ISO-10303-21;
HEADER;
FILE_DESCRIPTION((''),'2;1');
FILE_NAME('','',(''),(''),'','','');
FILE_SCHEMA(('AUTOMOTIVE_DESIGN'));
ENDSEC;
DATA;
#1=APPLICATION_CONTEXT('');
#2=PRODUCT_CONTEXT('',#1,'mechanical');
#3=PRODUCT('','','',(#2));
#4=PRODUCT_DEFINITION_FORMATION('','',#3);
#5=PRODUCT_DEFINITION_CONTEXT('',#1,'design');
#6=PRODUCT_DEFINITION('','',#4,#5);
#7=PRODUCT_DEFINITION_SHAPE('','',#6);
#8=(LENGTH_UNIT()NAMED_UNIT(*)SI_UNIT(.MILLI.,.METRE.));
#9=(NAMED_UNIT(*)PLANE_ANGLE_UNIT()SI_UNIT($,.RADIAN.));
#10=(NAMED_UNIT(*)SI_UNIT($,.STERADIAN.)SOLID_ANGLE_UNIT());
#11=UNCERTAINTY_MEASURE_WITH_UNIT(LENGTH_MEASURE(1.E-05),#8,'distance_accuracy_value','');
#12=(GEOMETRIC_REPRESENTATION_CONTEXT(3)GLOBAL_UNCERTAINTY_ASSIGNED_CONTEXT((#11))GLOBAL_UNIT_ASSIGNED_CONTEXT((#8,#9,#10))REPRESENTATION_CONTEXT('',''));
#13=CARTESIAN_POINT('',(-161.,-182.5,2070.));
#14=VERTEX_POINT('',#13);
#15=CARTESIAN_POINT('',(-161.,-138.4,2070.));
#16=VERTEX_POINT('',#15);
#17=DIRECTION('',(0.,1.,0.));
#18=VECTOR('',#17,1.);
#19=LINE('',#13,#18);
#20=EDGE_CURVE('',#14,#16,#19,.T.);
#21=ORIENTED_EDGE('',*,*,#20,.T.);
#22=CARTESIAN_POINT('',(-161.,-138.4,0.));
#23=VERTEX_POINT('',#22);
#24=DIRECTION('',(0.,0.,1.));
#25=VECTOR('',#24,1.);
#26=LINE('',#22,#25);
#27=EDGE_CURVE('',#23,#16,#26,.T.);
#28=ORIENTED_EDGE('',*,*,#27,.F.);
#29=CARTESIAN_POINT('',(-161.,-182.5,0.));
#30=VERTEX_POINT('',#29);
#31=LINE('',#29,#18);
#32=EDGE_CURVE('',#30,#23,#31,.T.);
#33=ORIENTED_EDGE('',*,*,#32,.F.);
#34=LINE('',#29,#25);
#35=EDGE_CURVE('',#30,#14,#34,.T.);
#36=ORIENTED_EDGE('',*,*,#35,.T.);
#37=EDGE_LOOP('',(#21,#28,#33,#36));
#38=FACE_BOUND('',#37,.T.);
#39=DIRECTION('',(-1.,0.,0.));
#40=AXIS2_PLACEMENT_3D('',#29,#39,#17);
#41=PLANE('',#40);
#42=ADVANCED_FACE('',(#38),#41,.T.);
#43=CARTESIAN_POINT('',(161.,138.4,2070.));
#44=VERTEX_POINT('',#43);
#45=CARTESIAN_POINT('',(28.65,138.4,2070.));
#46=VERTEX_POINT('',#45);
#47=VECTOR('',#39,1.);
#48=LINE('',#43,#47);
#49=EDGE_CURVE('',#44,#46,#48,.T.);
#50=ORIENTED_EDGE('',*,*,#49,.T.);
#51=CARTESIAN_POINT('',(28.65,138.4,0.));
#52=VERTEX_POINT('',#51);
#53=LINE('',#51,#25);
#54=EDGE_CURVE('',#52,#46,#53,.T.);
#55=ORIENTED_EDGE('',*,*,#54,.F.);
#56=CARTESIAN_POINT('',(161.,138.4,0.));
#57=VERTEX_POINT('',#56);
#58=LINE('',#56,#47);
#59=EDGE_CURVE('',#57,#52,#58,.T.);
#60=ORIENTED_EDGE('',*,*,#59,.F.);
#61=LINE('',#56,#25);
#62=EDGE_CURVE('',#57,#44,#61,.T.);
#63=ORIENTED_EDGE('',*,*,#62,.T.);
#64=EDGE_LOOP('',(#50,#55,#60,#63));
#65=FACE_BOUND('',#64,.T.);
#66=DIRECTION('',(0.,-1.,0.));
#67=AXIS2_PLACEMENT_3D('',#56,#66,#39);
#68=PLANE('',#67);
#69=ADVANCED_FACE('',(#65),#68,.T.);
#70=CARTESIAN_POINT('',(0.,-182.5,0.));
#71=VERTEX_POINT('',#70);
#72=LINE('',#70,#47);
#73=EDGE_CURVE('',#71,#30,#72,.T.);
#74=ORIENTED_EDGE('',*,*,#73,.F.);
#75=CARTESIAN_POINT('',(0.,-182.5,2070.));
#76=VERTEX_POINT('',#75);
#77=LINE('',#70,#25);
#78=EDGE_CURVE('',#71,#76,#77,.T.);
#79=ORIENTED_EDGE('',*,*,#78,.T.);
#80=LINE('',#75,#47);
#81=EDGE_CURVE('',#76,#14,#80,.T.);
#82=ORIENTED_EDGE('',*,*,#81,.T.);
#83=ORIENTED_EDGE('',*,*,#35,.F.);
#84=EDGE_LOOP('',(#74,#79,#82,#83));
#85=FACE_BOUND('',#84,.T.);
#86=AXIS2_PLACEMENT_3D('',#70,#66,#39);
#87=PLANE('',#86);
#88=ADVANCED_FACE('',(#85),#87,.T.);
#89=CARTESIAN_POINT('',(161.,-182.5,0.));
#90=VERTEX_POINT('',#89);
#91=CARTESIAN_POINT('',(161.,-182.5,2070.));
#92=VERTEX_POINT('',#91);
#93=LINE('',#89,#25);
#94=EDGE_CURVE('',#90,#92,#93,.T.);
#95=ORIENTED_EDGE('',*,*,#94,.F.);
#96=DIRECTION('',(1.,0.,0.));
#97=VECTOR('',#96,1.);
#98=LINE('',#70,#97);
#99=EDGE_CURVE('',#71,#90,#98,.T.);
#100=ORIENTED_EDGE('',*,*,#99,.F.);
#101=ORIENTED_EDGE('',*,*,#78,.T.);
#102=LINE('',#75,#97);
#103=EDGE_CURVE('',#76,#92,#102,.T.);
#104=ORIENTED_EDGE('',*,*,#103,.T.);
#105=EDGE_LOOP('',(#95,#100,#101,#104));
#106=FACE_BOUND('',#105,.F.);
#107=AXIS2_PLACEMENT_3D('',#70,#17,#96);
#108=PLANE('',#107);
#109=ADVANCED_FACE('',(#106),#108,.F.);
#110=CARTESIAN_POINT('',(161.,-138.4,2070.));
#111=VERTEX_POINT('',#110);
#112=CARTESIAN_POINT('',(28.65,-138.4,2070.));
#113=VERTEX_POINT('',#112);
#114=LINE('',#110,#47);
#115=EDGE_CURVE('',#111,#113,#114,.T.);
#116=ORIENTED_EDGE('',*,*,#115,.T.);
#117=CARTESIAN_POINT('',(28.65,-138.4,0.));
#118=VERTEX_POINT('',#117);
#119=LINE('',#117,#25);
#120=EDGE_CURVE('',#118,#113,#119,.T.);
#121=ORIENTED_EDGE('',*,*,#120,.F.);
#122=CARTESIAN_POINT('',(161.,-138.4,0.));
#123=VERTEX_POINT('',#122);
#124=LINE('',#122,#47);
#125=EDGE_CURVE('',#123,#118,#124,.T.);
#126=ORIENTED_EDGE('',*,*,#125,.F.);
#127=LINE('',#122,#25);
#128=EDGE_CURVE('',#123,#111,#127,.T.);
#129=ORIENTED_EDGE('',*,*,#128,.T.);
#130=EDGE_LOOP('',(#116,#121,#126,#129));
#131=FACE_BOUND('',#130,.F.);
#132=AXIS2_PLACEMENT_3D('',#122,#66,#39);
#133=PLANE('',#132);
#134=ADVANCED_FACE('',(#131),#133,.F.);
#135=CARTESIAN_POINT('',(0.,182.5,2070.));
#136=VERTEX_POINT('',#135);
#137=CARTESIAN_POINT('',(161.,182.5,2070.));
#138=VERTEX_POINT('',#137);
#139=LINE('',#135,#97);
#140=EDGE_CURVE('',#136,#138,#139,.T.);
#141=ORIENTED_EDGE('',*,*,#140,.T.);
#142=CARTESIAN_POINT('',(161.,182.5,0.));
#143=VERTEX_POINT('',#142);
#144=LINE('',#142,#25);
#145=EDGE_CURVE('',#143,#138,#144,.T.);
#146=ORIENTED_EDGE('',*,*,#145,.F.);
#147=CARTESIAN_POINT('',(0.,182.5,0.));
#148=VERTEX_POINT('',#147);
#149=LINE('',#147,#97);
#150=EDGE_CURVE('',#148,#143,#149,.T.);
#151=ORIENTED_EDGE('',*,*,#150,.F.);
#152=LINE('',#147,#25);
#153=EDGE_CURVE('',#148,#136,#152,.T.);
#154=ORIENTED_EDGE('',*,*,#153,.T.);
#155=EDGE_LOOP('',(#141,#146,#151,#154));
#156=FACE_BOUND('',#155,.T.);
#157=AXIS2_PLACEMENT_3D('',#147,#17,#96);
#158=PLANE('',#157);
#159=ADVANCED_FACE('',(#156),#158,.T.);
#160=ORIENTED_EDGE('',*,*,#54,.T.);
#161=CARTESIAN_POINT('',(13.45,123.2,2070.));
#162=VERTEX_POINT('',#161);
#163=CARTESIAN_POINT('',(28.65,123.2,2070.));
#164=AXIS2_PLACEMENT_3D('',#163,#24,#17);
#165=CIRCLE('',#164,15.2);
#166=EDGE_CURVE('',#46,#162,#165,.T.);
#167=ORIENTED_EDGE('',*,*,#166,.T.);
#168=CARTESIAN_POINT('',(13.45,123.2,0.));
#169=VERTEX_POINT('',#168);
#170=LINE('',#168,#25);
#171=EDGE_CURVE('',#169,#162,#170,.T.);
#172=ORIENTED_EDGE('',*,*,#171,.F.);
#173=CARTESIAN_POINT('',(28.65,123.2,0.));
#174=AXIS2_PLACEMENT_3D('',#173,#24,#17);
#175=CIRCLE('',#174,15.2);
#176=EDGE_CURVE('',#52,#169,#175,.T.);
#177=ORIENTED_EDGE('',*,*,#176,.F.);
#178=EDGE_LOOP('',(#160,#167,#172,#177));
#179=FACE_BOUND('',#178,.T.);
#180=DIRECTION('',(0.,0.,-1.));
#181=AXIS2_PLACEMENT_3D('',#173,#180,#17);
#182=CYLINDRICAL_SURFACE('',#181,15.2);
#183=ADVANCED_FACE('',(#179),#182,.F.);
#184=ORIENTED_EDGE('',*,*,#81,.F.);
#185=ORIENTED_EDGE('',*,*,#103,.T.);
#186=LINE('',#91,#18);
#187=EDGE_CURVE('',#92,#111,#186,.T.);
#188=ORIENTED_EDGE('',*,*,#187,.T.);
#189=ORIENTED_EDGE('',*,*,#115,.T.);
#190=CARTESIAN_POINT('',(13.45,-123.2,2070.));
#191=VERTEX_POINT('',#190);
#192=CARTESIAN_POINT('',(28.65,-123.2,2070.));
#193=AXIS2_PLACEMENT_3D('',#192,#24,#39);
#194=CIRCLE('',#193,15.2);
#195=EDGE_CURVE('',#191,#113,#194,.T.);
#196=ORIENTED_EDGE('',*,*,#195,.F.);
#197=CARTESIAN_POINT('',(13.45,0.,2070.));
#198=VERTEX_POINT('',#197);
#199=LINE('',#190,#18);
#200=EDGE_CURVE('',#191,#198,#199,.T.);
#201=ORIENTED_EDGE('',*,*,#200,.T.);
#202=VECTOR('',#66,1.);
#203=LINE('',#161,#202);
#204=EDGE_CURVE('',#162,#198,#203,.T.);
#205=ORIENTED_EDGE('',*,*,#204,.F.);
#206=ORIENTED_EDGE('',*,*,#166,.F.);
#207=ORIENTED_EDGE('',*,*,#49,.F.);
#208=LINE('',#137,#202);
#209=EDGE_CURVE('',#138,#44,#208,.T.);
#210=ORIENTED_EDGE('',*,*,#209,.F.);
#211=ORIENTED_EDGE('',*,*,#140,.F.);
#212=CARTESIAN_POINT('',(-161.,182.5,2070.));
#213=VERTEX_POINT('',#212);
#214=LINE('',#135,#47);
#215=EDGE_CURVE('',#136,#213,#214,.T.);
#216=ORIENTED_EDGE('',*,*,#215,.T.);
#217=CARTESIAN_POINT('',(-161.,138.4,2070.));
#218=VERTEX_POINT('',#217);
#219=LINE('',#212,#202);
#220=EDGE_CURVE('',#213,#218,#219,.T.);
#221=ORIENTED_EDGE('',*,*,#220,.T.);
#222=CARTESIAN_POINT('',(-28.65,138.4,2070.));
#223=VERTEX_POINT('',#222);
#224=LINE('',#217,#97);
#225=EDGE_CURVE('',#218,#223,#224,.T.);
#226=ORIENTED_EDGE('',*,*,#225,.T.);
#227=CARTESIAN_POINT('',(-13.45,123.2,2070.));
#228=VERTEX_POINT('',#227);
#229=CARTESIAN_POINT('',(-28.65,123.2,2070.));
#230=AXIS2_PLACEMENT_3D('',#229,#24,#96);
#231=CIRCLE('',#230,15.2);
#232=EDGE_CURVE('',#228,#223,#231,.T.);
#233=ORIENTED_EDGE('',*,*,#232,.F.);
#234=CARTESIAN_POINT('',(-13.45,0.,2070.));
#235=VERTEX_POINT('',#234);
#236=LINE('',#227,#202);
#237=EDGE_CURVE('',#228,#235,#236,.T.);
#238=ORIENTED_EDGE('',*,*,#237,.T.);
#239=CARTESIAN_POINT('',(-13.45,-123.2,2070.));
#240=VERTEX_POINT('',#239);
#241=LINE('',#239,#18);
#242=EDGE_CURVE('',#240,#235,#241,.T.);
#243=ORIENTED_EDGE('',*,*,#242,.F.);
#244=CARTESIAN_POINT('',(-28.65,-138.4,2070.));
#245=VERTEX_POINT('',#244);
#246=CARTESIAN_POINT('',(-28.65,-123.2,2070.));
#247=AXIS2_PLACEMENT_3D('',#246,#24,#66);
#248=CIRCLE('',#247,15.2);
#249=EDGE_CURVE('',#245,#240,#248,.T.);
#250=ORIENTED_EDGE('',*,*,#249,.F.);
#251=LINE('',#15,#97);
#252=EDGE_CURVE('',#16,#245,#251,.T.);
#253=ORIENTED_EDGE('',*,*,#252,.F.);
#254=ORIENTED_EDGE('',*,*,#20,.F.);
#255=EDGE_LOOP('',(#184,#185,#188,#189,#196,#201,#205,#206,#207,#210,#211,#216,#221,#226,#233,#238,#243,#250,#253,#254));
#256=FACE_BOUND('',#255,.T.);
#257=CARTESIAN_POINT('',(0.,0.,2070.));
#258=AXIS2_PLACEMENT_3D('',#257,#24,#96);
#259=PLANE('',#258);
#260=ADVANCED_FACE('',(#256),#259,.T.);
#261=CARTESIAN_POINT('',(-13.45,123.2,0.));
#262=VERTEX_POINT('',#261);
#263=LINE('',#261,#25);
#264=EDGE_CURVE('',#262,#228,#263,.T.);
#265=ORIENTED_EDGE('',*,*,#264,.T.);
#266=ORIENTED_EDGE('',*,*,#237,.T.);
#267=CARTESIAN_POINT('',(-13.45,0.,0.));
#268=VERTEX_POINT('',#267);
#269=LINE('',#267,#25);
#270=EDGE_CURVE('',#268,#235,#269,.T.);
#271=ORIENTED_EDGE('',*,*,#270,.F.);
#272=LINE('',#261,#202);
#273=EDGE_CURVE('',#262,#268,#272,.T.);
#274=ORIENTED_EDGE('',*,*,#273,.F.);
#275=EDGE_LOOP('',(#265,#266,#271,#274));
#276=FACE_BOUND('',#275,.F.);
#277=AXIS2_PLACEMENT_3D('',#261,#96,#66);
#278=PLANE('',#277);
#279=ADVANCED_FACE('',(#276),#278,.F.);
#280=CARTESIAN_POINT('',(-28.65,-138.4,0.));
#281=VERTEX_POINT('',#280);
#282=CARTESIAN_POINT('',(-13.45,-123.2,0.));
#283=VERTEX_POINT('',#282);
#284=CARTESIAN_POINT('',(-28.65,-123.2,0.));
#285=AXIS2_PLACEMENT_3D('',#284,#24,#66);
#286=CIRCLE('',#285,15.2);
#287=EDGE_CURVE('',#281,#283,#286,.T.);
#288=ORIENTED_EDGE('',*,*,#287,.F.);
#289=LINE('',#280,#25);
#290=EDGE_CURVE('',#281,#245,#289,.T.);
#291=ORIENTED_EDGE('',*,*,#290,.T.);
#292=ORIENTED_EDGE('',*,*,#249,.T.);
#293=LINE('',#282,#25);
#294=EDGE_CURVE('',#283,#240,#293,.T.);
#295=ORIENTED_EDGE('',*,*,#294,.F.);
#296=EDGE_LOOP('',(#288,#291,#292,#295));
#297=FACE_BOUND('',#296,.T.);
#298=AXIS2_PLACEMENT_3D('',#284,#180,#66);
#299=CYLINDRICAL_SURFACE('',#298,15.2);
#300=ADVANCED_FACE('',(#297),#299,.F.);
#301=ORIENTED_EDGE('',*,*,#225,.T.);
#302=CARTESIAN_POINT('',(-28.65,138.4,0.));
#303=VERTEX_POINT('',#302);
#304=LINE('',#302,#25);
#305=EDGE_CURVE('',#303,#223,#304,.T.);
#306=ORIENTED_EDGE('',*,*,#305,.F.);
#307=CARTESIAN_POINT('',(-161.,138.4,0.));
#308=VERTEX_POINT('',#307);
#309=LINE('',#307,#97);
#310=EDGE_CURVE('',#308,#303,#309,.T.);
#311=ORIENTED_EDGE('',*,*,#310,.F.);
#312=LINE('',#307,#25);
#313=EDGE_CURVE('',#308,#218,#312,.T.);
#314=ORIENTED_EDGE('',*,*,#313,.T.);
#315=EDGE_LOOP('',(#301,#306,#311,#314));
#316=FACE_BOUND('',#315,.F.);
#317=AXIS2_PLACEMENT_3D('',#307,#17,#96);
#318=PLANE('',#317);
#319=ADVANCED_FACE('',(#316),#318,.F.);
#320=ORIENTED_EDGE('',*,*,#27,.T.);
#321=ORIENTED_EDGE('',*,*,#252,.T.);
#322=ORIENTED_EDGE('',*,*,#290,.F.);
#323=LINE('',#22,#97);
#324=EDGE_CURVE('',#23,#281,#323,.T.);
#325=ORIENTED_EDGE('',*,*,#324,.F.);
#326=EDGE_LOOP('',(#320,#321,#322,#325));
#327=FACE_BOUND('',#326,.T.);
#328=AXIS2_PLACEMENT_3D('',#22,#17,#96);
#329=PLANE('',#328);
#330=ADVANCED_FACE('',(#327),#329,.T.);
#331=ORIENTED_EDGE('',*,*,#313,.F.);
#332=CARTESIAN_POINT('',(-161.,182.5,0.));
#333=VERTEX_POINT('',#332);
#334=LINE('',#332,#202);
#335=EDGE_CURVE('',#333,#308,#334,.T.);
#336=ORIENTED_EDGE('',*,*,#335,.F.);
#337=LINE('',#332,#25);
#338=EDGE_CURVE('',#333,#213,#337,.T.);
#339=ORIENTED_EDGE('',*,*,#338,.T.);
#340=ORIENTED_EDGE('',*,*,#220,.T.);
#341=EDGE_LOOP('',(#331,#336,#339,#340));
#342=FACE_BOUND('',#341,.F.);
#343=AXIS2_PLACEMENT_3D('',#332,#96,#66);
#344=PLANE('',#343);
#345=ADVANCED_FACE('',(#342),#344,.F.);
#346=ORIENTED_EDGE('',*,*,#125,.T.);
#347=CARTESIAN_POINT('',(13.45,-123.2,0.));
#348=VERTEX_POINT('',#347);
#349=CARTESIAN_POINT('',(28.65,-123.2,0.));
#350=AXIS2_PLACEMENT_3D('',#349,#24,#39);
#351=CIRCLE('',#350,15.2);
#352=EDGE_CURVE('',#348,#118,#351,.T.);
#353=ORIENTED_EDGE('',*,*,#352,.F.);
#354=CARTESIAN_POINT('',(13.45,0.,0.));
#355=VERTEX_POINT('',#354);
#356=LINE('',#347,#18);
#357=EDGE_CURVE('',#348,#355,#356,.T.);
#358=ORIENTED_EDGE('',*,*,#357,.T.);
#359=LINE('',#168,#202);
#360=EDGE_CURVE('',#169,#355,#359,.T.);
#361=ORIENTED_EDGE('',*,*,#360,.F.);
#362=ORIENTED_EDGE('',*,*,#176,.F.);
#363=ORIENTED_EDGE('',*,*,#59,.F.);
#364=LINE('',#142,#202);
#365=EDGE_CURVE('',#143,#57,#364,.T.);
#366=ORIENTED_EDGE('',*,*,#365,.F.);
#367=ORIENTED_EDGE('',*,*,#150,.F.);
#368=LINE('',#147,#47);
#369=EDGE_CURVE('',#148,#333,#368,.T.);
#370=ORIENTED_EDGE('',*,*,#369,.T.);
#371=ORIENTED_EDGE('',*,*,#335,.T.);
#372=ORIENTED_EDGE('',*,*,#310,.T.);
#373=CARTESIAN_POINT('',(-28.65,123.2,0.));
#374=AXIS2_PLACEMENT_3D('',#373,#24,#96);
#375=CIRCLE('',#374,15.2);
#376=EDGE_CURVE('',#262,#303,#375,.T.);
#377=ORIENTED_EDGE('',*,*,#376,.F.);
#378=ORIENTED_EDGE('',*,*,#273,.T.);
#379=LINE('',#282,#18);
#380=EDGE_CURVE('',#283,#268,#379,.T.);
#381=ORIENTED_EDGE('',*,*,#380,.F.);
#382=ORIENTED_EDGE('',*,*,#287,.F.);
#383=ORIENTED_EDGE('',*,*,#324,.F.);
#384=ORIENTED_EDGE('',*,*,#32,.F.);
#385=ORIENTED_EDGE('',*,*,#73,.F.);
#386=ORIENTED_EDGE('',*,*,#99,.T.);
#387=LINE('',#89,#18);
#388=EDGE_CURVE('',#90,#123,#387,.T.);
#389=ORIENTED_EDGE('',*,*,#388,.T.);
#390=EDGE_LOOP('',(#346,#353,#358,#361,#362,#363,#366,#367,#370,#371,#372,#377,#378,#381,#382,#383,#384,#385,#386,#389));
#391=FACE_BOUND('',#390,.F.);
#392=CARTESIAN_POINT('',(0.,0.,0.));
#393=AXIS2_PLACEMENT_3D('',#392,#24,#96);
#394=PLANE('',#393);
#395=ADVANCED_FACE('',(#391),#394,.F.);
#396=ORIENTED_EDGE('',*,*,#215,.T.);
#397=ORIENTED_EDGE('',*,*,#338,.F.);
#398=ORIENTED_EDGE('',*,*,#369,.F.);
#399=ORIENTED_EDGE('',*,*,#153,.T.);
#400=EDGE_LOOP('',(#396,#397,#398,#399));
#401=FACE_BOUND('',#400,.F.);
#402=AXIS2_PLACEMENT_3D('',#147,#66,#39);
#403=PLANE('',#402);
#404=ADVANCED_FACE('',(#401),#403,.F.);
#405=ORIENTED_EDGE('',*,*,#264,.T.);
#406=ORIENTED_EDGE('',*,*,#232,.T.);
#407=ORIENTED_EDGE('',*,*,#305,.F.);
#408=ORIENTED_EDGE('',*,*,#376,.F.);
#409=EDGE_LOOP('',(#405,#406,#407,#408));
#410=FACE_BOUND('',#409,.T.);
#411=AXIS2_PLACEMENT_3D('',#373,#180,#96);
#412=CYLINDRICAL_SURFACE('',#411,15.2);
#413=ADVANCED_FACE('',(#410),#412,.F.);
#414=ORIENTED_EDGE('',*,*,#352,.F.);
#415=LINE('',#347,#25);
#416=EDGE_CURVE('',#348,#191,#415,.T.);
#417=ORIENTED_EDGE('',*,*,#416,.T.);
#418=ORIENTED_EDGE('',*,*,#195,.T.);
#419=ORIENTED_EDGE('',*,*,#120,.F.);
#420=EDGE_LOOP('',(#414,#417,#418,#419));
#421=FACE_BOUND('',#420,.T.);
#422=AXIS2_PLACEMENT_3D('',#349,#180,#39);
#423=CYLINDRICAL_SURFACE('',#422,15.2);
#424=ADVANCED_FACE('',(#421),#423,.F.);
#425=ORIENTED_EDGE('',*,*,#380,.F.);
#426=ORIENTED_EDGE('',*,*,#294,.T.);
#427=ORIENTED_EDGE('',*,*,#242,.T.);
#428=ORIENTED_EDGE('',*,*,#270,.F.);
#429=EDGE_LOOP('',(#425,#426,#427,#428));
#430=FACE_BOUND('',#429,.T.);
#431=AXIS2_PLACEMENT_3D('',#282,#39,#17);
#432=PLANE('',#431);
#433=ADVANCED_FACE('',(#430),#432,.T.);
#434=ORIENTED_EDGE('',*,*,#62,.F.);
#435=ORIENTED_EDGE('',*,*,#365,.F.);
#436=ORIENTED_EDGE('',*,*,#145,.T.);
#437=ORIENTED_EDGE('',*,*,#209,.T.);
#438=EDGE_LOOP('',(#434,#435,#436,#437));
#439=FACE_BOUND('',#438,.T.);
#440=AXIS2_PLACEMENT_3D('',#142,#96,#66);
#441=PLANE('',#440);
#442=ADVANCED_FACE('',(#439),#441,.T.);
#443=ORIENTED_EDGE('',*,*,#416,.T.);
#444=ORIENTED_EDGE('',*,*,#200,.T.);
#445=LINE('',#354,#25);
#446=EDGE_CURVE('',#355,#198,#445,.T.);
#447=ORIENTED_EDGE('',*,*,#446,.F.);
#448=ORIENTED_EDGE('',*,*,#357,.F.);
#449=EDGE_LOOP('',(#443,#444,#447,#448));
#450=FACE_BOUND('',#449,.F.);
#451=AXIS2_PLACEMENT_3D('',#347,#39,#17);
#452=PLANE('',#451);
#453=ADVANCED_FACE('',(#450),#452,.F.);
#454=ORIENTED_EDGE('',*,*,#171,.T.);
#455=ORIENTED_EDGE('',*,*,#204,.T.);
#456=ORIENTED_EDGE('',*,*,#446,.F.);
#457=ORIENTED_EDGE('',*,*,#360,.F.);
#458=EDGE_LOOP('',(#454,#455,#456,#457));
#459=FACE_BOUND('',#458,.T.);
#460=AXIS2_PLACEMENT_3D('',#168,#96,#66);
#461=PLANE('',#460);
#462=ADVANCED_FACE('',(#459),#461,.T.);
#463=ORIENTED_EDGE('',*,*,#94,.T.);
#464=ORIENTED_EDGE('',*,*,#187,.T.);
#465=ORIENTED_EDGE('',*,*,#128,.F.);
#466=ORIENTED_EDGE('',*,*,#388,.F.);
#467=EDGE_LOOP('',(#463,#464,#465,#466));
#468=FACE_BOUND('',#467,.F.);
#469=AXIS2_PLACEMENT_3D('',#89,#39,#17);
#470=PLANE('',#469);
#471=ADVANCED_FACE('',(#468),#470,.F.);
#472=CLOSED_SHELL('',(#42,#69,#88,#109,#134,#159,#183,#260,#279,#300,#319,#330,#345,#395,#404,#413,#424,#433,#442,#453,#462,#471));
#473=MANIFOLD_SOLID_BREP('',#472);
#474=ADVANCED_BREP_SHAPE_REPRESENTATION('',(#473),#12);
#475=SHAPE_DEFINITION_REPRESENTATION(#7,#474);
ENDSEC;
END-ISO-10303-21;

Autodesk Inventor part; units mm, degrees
ref_plane "YZ Plane" through (0, 0, 0) normal (1, 0, 0) x (0, 1, 0)
ref_plane "Start plane" through (0, 0, 0) normal (0, 0, 1) x (1, 0, 0)
ref_plane "End plane" through (0, 0, 2070) normal (0, 0, 1) x (1, 0, 0)
sketch "Sketch" plane through (0, 0, 0) normal (0, 0, 1) x (1, 0, 0)
  line L0 (-161, -182.5) -> (-161, -138.4)
  line L1 (-161, -138.4) -> (-28.65, -138.4)
  line L2 (-13.45, -123.2) -> (-13.45, 0)
  line L3 (-13.45, 0) -> (0, 0) construction
  line L4 (0, 0) -> (0, -182.5) construction
  line L5 (0, -182.5) -> (-161, -182.5)
  line L6 (-60, 0) -> (80, 0) construction
  line L7 (0, -60) -> (0, 80) construction
  line L8 (161, -182.5) -> (161, -138.4)
  line L9 (161, -138.4) -> (28.65, -138.4)
  line L10 (13.45, -123.2) -> (13.45, 0)
  line L11 (13.45, 0) -> (0, 0) construction
  line L12 (0, -182.5) -> (161, -182.5)
  line L13 (-161, 182.5) -> (-161, 138.4)
  line L14 (-161, 138.4) -> (-28.65, 138.4)
  line L15 (-13.45, 123.2) -> (-13.45, 0)
  line L16 (0, 182.5) -> (-161, 182.5)
  line L17 (161, 182.5) -> (161, 138.4)
  line L18 (161, 138.4) -> (28.65, 138.4)
  line L19 (0, 182.5) -> (161, 182.5)
  line L20 (13.45, 123.2) -> (13.45, 0)
  arc A0 (-13.45, 123.2) -> (-28.65, 138.4) centre (-28.65, 123.2) ccw
  arc A1 (28.65, 138.4) -> (13.45, 123.2) centre (28.65, 123.2) ccw
  arc A2 (13.45, -123.2) -> (28.65, -138.4) centre (28.65, -123.2) ccw
  arc A3 (-28.65, -138.4) -> (-13.45, -123.2) centre (-28.65, -123.2) ccw
  line L21 (0, 108) -> (0, -88) construction
  line L22 (-88, 0) -> (108, 0) construction
  point P0 (-13.45, -138.4)
  point P1 (13.45, -138.4)
  point P2 (-13.45, 138.4)
  point P3 (13.45, 138.4)
  dimension "d1" = 182.5
  dimension "d2" = 44.1
  dimension "d3" = 161
  dimension "d4" = 13.45
  dimension "d10" = 15.2
extrude "Body" add sketch "Sketch" along normal up to surface (2070 mm away) from surface at 0
sketch "Sketch4" plane through (0, 0, 0) normal (0, 0, 1) x (1, 0, 0)
  line L0 (0, 0) -> (10, 0)
ref_plane "Work Plane3" through (0, 0, 0) normal (0, -1, 0) x (1, 0, 0)
sketch "Sketch5" plane through (0, 0, 0) normal (0, -1, 0) x (1, 0, 0)
  line L0 (-2, 0) -> (12, 0) projected
  line L1 (-2, 2070) -> (12, 2070) projected
  dimension "d14" = 2070
equation "\"d1\" = 0.5 * G_H"
equation "\"d2\" = G_T1"
equation "\"d3\" = 0.5 * G_W"
equation "\"d4\" = 0.5 * G_T"
equation "\"d10\" = G_IR"
equation "\"d5\" = G_L"
equation "\"G_W\" = 322"
equation "\"G_H\" = 365"
equation "\"G_T\" = 26.9"
equation "\"G_T1\" = 44.1"
equation "\"G_IR\" = 15.2"
equation "\"G_L\" = d14"
equation "\"G_OFFSET_START\" = 0"
equation "\"G_OFFSET_END\" = 0"
properties part number "AS 3679 - 310 UC - 283 - 2070" material "Steel, Mild"
